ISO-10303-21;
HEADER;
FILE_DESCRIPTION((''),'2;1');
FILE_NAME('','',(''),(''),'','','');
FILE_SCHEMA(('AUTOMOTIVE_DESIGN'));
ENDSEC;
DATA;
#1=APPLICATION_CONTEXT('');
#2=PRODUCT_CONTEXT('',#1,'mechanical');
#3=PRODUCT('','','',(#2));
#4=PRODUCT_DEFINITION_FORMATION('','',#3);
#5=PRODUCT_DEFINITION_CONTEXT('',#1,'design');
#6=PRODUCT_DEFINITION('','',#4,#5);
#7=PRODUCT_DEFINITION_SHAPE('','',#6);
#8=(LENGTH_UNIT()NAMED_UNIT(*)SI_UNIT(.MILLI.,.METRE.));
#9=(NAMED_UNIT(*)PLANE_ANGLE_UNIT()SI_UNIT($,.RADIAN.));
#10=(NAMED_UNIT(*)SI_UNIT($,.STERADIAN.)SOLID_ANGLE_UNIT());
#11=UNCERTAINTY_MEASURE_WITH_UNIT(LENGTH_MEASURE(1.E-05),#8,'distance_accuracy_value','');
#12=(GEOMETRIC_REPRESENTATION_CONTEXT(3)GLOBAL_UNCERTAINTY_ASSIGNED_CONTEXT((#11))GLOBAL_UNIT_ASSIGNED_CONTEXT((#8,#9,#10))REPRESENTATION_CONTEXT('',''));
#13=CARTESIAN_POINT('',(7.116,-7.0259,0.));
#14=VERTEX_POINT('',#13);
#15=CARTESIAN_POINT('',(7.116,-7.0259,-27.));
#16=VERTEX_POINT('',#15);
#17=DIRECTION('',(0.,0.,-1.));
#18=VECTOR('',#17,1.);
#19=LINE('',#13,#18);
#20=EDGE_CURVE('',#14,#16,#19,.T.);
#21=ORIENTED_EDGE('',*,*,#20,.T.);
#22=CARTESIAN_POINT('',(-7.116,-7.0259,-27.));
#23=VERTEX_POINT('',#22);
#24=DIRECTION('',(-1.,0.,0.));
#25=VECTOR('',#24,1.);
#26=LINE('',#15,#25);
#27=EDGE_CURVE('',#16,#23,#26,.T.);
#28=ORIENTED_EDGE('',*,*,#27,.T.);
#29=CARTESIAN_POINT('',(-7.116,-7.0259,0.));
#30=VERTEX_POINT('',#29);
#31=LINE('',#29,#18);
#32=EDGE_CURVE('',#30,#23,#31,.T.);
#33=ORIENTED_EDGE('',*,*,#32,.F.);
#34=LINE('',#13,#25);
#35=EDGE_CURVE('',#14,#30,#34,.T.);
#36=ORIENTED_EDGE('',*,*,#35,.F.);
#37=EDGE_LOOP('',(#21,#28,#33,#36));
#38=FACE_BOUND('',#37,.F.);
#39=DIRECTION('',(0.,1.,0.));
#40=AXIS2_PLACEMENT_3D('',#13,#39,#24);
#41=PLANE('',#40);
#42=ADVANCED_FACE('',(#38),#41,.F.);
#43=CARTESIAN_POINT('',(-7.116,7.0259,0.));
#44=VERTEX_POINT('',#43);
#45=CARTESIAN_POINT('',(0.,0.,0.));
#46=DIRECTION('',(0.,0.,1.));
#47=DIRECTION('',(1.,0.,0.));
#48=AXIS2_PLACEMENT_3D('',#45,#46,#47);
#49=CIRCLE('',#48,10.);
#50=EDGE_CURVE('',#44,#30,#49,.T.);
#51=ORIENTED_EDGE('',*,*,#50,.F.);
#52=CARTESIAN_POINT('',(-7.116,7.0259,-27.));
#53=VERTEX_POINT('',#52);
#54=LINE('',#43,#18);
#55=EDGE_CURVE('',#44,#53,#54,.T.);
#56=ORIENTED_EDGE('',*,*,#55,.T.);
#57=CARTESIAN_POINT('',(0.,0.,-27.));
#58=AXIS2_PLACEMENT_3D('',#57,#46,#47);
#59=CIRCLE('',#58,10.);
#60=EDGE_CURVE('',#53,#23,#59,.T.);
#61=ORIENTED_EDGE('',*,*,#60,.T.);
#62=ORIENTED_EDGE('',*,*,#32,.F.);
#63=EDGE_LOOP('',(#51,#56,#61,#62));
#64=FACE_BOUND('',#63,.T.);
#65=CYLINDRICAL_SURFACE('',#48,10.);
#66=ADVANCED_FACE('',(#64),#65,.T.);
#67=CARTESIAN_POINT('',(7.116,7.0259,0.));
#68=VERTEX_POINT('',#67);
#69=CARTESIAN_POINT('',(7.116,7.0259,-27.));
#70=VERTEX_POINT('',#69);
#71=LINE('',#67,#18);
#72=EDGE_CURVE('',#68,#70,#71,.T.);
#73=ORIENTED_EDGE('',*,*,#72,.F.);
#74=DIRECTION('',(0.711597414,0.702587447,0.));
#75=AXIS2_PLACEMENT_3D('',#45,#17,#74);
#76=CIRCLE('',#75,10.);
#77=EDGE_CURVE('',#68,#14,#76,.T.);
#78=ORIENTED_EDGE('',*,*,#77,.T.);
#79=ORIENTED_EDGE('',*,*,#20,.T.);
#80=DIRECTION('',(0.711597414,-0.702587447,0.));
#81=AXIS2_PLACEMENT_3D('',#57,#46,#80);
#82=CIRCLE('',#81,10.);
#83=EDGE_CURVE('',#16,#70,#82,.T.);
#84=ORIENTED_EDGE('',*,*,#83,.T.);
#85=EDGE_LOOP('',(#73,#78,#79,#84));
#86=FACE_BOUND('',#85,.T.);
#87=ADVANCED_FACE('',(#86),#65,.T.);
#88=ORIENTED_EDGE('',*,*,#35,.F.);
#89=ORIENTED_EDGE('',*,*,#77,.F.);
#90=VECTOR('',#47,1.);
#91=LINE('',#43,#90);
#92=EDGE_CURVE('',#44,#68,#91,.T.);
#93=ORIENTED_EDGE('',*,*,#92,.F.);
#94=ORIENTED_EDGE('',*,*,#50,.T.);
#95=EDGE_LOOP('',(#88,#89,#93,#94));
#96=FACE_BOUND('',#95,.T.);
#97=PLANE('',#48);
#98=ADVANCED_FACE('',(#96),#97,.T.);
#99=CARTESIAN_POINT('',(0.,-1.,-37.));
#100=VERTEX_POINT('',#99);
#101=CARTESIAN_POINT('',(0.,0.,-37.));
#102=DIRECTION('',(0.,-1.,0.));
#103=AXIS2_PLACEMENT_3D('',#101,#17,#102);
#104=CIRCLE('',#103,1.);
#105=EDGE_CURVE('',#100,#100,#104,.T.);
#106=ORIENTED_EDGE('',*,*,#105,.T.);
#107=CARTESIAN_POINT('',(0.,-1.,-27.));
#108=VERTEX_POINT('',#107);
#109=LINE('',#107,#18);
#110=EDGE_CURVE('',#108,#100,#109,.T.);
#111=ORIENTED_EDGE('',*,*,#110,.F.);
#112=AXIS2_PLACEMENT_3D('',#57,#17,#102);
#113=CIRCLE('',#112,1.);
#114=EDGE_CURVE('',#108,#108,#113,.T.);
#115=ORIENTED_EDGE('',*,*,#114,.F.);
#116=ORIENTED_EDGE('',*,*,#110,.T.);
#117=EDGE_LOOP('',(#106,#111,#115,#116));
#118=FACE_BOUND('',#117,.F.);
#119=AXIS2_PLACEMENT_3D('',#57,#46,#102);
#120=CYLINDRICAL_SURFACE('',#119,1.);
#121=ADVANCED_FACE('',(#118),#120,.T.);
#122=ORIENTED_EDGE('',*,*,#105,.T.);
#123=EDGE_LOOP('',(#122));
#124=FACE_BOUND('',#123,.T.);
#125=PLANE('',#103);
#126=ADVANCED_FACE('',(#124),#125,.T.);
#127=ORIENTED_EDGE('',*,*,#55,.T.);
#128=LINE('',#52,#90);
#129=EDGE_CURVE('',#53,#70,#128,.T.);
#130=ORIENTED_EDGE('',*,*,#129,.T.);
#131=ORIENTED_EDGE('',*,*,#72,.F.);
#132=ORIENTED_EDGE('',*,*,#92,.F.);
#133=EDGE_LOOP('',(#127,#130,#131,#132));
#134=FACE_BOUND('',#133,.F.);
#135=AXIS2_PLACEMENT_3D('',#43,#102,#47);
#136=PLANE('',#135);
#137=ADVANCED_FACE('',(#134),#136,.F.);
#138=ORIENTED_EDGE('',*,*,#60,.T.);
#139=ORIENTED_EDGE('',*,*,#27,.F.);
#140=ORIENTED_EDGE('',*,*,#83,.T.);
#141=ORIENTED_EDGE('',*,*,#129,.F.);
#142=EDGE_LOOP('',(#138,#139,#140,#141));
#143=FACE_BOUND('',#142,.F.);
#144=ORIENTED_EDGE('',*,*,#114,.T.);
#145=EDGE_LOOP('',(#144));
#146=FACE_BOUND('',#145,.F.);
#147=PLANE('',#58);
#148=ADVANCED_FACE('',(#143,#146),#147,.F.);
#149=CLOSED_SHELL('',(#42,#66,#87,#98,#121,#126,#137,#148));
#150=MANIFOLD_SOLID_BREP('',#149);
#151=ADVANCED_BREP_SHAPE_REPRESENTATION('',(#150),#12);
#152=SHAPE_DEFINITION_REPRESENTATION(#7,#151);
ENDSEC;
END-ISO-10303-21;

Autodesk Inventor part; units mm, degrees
ref_plane "YZ Plane" through (0, 0, 0) normal (1, 0, 0) x (0, 1, 0)
ref_plane "XZ Plane" through (0, 0, 0) normal (0, 1, 0) x (-1, 0, 0)
ref_plane "XY Plane" through (0, 0, 0) normal (0, 0, 1) x (1, 0, 0)
sketch "Sketch1" plane through (0, 0, 0) normal (0, 0, 1) x (1, 0, 0)
  circle A0 centre (0, 0) radius 10
  line L0 (0, 10) -> (0, 9)
  line L1 (-7.116, 7.0259) -> (7.116, 7.0259)
  line L2 (7.116, -7.0259) -> (-7.116, -7.0259)
  dimension "d0" = 20
  dimension "d7" = 14.0518
extrude "Extrusion1" add sketch "Sketch1" against normal blind 27 contours A0 L2 L1
sketch "Sketch2" plane through (0, 0, -27) normal (0, 0, -1) x (0, -1, 0)
  circle A0 centre (0, 0) radius 1
  dimension "d4" = 2
extrude "Extrusion2" add sketch "Sketch2" along normal blind 10
properties part number "motor 12v"
